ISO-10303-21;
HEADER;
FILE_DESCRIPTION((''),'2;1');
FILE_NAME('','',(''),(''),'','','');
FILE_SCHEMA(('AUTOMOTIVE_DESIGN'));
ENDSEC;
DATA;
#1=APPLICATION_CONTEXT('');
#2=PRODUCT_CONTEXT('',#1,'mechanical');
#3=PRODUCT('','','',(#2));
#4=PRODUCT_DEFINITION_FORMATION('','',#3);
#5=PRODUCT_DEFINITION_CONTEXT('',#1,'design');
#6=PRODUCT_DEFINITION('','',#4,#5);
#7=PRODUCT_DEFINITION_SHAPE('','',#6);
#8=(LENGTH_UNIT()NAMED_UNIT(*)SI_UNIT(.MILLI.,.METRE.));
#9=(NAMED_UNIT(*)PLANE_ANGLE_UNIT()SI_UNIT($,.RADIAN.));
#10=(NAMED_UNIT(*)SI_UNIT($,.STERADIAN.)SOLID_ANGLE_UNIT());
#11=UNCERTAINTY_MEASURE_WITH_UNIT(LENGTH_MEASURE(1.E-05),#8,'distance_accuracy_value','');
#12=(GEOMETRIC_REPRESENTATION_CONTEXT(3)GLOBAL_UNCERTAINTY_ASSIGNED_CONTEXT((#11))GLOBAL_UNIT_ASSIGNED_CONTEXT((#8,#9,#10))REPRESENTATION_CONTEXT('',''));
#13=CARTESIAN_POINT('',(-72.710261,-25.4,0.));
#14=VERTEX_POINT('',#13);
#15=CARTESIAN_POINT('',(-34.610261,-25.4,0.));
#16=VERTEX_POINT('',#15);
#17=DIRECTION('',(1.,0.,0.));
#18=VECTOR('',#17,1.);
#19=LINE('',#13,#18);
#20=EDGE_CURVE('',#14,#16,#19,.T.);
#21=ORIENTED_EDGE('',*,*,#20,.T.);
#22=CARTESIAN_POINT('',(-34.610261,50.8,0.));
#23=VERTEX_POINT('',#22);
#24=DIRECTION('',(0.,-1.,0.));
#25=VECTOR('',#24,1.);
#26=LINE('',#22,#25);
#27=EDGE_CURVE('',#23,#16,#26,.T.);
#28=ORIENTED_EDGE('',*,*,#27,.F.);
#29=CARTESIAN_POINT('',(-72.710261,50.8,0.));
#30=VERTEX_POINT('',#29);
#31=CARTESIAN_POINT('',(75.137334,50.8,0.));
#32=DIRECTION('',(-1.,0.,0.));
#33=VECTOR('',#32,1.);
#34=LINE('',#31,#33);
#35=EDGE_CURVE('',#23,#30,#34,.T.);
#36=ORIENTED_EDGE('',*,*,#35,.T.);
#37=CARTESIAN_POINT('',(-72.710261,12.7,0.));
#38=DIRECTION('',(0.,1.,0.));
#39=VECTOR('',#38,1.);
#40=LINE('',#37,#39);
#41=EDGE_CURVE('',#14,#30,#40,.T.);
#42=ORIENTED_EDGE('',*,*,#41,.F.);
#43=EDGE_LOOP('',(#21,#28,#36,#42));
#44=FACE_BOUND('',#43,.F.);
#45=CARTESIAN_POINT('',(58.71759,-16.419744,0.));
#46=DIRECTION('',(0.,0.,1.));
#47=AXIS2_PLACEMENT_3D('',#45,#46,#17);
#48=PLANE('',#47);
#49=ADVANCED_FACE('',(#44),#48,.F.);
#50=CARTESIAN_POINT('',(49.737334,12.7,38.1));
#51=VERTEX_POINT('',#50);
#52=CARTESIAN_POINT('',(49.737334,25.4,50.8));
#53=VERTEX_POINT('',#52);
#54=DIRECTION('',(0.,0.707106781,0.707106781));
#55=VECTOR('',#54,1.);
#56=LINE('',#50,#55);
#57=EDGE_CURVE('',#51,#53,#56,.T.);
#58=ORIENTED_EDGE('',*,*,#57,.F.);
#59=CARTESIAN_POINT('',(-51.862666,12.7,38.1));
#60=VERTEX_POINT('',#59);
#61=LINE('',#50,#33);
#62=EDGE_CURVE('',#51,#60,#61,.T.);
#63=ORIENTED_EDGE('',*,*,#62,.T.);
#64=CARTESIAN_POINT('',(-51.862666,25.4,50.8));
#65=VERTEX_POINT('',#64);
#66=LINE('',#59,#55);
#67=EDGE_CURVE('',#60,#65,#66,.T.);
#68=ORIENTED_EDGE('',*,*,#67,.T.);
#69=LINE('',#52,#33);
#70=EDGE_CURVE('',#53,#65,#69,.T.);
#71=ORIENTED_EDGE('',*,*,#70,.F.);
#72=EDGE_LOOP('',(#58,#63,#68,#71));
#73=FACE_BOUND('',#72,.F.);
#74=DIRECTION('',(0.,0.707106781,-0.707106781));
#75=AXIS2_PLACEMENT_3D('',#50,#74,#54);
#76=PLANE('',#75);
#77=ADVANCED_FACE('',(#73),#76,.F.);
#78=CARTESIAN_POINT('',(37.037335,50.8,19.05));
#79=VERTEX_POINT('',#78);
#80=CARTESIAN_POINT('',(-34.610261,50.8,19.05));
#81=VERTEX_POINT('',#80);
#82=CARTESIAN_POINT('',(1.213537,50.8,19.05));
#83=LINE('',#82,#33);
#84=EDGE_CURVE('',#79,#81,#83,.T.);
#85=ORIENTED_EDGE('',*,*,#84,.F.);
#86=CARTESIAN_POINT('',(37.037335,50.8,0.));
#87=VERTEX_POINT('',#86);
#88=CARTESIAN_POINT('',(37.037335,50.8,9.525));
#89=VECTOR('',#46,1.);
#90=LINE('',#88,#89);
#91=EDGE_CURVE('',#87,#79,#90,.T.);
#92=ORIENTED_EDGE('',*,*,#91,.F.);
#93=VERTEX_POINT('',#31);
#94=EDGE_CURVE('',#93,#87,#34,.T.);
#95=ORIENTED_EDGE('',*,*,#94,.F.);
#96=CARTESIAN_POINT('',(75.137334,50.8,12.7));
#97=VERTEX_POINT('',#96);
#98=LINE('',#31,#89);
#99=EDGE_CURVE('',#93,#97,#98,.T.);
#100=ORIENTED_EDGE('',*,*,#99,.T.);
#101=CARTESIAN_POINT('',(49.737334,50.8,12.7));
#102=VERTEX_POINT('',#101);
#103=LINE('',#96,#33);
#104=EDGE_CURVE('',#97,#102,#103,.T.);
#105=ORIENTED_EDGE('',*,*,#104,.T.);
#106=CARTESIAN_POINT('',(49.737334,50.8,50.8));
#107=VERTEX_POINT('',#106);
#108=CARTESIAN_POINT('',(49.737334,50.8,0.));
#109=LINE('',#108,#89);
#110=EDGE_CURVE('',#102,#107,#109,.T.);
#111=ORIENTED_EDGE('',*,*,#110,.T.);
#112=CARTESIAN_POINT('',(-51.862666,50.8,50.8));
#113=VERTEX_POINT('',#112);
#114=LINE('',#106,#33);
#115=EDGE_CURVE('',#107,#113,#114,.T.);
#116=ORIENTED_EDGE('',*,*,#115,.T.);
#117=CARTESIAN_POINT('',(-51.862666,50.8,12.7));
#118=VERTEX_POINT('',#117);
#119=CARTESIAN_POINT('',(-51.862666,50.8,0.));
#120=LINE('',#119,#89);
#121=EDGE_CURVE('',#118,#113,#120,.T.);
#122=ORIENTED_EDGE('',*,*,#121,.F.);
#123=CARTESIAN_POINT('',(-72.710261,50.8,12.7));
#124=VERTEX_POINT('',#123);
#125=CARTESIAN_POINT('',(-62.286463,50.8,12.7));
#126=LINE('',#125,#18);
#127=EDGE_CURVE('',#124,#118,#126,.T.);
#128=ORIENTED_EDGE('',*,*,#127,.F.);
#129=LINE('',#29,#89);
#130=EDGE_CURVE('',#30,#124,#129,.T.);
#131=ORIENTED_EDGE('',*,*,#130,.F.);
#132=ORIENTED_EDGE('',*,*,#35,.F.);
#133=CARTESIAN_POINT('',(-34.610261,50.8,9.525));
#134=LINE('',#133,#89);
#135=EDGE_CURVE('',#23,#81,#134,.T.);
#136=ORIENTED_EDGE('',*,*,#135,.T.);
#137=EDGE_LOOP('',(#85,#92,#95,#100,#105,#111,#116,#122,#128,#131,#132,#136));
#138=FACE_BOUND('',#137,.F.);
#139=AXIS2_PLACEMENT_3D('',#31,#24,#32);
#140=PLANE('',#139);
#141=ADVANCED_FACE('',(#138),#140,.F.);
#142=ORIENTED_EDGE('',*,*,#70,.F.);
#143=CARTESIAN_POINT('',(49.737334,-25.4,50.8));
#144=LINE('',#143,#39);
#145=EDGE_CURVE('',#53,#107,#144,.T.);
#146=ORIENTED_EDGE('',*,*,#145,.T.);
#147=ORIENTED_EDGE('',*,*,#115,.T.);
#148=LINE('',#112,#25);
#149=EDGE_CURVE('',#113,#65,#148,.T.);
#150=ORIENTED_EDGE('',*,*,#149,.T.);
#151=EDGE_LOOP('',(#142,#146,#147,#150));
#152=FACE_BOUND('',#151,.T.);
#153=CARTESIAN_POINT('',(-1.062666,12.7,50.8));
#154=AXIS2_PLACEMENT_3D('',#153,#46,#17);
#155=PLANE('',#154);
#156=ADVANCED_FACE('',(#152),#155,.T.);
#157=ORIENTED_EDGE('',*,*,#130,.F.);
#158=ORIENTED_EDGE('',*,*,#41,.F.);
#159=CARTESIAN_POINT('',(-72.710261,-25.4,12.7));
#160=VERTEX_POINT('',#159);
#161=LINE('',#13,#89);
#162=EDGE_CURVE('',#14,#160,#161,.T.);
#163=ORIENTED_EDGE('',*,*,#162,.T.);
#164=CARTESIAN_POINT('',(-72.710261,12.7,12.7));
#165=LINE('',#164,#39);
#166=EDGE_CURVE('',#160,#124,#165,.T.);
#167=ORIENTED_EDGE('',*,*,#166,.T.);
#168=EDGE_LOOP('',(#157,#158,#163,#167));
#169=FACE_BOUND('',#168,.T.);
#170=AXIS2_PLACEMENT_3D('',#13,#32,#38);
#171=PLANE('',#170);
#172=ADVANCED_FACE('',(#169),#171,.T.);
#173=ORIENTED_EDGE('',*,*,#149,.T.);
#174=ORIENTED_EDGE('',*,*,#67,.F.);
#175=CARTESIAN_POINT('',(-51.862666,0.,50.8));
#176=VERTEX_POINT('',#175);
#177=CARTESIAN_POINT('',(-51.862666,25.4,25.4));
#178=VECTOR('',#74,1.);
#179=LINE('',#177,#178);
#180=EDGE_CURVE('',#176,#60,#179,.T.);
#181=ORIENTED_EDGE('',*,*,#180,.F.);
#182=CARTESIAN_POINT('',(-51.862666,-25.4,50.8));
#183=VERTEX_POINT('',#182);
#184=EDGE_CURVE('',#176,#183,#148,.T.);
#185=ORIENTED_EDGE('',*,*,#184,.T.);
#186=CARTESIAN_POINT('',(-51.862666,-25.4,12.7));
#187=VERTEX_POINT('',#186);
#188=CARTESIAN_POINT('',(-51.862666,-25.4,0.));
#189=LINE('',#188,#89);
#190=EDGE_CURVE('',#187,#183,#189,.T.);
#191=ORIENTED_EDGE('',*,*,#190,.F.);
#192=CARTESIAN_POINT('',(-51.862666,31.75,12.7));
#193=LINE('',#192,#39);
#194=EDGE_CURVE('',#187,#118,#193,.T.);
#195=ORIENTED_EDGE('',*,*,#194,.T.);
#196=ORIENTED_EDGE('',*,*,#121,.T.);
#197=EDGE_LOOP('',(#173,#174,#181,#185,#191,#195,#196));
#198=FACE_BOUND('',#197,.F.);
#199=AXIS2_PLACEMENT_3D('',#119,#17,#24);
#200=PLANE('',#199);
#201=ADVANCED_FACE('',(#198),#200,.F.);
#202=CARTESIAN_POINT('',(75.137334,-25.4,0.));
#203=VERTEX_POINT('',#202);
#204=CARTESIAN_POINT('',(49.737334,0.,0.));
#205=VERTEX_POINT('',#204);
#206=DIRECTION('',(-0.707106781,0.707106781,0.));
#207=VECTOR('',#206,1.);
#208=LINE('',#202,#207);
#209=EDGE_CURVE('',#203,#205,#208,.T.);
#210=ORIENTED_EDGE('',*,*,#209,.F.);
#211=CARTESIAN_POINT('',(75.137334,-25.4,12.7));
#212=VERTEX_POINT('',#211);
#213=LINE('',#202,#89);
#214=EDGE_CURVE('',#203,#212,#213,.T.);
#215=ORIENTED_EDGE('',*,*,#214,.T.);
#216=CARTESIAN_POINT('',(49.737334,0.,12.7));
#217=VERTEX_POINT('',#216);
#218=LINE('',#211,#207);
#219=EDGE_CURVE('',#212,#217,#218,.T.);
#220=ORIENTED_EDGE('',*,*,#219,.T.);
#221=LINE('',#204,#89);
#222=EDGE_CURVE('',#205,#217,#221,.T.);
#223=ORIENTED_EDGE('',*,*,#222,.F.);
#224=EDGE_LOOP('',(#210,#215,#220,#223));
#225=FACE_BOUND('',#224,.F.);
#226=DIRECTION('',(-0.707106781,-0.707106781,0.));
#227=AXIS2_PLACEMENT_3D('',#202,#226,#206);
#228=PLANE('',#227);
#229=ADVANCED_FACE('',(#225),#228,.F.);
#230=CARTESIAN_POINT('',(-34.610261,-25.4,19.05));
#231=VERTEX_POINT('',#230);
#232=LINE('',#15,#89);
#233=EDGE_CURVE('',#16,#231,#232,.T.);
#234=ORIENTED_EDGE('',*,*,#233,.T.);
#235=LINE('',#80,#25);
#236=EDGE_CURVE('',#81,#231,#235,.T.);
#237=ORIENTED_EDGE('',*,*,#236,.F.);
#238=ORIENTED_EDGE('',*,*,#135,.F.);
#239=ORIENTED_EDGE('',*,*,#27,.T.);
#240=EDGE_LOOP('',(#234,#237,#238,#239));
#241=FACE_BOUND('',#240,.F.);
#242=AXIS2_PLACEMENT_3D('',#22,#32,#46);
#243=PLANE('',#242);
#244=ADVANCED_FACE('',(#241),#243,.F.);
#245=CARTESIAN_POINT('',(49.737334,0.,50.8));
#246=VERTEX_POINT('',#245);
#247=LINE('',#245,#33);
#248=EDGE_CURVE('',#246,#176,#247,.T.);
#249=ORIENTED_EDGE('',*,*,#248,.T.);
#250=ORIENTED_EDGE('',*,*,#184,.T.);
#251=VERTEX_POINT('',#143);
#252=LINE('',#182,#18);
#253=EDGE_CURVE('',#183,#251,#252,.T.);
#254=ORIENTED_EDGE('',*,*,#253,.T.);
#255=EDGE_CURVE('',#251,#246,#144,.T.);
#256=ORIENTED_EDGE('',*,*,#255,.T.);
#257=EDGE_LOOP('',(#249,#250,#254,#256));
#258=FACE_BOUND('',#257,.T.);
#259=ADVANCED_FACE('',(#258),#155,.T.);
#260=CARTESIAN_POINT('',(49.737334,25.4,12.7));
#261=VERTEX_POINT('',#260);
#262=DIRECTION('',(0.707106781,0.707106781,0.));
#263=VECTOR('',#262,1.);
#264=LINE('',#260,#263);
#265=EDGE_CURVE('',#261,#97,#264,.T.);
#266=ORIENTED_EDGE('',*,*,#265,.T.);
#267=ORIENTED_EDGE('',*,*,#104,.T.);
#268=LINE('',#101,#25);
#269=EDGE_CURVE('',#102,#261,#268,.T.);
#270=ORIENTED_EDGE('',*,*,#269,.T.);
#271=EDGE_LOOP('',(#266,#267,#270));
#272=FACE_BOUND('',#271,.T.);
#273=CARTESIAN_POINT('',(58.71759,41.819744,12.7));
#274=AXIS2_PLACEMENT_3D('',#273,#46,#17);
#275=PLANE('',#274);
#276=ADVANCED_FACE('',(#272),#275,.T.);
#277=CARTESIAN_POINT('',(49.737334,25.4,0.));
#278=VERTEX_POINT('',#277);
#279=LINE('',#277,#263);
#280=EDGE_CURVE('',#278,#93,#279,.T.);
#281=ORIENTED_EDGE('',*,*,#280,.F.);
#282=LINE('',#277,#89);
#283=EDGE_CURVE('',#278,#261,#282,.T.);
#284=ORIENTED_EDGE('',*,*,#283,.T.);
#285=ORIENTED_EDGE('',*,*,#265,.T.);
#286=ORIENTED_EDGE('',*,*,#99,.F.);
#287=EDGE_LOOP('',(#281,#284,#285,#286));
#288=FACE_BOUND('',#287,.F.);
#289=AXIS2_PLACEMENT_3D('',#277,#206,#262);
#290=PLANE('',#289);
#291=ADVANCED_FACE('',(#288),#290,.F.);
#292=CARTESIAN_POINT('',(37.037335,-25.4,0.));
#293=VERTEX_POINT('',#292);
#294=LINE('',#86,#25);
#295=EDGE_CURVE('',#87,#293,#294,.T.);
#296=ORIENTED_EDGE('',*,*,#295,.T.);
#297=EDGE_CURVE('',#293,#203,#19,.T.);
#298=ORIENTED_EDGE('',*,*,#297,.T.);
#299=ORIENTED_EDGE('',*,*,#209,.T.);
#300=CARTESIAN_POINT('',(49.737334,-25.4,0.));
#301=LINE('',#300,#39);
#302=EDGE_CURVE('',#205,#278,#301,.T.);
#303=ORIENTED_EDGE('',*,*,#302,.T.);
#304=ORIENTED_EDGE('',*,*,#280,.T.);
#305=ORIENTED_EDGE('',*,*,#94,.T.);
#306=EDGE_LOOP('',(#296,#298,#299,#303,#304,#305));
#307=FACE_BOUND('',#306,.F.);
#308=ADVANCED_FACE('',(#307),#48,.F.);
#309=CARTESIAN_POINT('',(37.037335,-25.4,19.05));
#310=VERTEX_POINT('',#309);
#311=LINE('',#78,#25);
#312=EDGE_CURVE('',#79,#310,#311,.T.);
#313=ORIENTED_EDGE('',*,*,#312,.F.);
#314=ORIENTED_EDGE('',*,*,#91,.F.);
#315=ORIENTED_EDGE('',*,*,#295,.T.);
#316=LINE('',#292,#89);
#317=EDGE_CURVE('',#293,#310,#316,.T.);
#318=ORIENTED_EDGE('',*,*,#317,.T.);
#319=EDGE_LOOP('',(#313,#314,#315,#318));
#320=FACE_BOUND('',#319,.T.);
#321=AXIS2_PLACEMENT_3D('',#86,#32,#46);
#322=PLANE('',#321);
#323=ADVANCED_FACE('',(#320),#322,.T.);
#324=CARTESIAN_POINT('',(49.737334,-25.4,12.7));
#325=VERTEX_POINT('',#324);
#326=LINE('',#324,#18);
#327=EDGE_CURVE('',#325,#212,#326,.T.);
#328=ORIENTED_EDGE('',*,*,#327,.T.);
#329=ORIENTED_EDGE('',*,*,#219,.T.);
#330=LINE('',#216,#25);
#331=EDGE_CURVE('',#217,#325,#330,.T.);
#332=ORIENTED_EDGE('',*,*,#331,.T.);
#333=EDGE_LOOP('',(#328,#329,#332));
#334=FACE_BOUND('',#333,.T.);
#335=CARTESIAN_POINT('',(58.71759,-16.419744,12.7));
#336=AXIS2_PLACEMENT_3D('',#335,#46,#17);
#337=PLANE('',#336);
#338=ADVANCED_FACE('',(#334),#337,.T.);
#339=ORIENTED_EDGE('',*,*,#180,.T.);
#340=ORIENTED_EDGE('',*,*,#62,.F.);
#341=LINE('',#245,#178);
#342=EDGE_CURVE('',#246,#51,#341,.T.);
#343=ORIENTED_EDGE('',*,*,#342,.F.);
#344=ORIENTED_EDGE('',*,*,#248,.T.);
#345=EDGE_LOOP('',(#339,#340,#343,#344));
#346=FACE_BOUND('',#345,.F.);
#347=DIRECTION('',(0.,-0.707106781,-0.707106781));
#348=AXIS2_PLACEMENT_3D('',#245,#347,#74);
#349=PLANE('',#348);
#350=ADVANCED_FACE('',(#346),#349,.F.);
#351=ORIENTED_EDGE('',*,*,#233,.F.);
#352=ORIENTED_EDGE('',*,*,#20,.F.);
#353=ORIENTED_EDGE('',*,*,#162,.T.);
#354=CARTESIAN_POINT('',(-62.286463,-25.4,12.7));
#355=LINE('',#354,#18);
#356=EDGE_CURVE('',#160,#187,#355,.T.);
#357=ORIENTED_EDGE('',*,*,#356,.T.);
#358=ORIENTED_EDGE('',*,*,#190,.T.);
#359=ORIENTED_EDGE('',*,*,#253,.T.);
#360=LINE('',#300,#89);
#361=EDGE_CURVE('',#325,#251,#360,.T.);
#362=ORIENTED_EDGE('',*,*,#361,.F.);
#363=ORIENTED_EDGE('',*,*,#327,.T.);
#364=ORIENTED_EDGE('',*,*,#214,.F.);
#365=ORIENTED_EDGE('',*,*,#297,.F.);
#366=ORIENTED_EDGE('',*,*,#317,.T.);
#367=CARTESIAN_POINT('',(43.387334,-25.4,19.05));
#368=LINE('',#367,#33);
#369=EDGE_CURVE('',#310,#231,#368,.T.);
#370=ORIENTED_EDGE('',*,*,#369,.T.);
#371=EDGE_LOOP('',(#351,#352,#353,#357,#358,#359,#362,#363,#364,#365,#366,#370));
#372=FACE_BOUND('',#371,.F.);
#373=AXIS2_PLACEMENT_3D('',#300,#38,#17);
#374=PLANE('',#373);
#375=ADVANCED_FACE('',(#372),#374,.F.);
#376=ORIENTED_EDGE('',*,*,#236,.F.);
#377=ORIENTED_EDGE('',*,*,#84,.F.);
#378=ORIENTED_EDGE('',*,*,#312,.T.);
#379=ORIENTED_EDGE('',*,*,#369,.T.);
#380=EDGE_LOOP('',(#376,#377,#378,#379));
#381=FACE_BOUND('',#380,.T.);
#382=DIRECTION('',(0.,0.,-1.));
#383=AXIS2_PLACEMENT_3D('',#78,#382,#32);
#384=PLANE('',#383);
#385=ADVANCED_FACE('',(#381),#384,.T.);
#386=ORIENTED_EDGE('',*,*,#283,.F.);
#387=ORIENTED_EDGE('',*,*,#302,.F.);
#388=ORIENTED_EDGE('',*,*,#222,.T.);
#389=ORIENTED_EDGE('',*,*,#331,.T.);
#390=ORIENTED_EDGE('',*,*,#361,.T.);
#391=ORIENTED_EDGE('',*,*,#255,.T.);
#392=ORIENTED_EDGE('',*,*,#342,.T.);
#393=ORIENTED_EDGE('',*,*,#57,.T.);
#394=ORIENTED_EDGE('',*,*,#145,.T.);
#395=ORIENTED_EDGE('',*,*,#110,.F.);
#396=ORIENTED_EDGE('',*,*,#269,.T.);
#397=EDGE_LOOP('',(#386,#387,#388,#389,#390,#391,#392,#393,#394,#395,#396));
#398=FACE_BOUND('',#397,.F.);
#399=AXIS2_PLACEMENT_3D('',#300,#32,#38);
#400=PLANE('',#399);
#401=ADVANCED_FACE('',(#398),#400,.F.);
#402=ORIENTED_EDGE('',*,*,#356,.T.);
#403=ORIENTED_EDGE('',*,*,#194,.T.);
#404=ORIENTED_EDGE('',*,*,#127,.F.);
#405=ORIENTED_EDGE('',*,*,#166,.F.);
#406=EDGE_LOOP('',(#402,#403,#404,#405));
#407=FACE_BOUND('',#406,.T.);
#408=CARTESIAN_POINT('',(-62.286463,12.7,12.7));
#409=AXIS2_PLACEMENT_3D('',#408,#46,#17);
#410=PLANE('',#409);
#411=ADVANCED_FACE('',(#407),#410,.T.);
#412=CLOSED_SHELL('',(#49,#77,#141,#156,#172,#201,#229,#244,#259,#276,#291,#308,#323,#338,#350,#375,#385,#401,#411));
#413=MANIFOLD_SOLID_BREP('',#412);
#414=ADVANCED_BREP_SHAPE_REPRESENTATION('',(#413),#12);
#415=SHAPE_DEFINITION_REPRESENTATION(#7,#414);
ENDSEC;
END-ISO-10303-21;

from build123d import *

# Parameters (mm, degrees)
F0_W     = 20.847595
F0_H     = 76.2
F1_DEPTH = 12.7
F2_DEPTH = 50.8
F3_DEPTH = 12.7
F4_DEPTH = 12.7
F6_DEPTH = 122.448595
F7_W     = 71.647595
F7_H     = 19.05
F8_DEPTH = 101.6


with BuildPart() as f1:
    # F0 (on Top) → F1 (new body)
    with BuildSketch(Plane.XY):
        with Locations((-62.286463, 12.7)):
            Rectangle(F0_W, F0_H)
    extrude(amount=F1_DEPTH)

    # F0 (on Top) → F2 (join)
    with BuildSketch(Plane.XY):
        Polygon((49.737334, 50.8), (-51.862666, 50.8), (-51.862666, -25.4), (49.737334, -25.4), (49.737334, 0), (49.737334, 25.4), align=None)
    extrude(amount=F2_DEPTH)

    # F0 (on Top) → F3 (join)
    with BuildSketch(Plane.XY):
        Polygon((75.137334, 50.8), (49.737334, 50.8), (49.737334, 25.4), align=None)
    extrude(amount=F3_DEPTH)

    # F0 (on Top) → F4 (join)
    with BuildSketch(Plane.XY):
        Polygon((49.737334, 0), (49.737334, -25.4), (75.137334, -25.4), align=None)
    extrude(amount=F4_DEPTH)

    # F5 (on face) → F6 (cut, through all)
    with BuildSketch(Plane.YZ.offset(49.737334)):
        Polygon((25.4, 50.8), (0, 50.8), (12.7, 38.1), align=None)
    extrude(amount=-F6_DEPTH, mode=Mode.SUBTRACT)

    # F7 (on face) → F8 (cut)
    with BuildSketch(Plane(origin=(0, 50.8, 0), x_dir=(-1, 0, 0), z_dir=(0, 1, 0))):
        with Locations((-1.213537, 9.525)):
            Rectangle(F7_W, F7_H)
    extrude(amount=-F8_DEPTH, mode=Mode.SUBTRACT)


solid = f1.part
